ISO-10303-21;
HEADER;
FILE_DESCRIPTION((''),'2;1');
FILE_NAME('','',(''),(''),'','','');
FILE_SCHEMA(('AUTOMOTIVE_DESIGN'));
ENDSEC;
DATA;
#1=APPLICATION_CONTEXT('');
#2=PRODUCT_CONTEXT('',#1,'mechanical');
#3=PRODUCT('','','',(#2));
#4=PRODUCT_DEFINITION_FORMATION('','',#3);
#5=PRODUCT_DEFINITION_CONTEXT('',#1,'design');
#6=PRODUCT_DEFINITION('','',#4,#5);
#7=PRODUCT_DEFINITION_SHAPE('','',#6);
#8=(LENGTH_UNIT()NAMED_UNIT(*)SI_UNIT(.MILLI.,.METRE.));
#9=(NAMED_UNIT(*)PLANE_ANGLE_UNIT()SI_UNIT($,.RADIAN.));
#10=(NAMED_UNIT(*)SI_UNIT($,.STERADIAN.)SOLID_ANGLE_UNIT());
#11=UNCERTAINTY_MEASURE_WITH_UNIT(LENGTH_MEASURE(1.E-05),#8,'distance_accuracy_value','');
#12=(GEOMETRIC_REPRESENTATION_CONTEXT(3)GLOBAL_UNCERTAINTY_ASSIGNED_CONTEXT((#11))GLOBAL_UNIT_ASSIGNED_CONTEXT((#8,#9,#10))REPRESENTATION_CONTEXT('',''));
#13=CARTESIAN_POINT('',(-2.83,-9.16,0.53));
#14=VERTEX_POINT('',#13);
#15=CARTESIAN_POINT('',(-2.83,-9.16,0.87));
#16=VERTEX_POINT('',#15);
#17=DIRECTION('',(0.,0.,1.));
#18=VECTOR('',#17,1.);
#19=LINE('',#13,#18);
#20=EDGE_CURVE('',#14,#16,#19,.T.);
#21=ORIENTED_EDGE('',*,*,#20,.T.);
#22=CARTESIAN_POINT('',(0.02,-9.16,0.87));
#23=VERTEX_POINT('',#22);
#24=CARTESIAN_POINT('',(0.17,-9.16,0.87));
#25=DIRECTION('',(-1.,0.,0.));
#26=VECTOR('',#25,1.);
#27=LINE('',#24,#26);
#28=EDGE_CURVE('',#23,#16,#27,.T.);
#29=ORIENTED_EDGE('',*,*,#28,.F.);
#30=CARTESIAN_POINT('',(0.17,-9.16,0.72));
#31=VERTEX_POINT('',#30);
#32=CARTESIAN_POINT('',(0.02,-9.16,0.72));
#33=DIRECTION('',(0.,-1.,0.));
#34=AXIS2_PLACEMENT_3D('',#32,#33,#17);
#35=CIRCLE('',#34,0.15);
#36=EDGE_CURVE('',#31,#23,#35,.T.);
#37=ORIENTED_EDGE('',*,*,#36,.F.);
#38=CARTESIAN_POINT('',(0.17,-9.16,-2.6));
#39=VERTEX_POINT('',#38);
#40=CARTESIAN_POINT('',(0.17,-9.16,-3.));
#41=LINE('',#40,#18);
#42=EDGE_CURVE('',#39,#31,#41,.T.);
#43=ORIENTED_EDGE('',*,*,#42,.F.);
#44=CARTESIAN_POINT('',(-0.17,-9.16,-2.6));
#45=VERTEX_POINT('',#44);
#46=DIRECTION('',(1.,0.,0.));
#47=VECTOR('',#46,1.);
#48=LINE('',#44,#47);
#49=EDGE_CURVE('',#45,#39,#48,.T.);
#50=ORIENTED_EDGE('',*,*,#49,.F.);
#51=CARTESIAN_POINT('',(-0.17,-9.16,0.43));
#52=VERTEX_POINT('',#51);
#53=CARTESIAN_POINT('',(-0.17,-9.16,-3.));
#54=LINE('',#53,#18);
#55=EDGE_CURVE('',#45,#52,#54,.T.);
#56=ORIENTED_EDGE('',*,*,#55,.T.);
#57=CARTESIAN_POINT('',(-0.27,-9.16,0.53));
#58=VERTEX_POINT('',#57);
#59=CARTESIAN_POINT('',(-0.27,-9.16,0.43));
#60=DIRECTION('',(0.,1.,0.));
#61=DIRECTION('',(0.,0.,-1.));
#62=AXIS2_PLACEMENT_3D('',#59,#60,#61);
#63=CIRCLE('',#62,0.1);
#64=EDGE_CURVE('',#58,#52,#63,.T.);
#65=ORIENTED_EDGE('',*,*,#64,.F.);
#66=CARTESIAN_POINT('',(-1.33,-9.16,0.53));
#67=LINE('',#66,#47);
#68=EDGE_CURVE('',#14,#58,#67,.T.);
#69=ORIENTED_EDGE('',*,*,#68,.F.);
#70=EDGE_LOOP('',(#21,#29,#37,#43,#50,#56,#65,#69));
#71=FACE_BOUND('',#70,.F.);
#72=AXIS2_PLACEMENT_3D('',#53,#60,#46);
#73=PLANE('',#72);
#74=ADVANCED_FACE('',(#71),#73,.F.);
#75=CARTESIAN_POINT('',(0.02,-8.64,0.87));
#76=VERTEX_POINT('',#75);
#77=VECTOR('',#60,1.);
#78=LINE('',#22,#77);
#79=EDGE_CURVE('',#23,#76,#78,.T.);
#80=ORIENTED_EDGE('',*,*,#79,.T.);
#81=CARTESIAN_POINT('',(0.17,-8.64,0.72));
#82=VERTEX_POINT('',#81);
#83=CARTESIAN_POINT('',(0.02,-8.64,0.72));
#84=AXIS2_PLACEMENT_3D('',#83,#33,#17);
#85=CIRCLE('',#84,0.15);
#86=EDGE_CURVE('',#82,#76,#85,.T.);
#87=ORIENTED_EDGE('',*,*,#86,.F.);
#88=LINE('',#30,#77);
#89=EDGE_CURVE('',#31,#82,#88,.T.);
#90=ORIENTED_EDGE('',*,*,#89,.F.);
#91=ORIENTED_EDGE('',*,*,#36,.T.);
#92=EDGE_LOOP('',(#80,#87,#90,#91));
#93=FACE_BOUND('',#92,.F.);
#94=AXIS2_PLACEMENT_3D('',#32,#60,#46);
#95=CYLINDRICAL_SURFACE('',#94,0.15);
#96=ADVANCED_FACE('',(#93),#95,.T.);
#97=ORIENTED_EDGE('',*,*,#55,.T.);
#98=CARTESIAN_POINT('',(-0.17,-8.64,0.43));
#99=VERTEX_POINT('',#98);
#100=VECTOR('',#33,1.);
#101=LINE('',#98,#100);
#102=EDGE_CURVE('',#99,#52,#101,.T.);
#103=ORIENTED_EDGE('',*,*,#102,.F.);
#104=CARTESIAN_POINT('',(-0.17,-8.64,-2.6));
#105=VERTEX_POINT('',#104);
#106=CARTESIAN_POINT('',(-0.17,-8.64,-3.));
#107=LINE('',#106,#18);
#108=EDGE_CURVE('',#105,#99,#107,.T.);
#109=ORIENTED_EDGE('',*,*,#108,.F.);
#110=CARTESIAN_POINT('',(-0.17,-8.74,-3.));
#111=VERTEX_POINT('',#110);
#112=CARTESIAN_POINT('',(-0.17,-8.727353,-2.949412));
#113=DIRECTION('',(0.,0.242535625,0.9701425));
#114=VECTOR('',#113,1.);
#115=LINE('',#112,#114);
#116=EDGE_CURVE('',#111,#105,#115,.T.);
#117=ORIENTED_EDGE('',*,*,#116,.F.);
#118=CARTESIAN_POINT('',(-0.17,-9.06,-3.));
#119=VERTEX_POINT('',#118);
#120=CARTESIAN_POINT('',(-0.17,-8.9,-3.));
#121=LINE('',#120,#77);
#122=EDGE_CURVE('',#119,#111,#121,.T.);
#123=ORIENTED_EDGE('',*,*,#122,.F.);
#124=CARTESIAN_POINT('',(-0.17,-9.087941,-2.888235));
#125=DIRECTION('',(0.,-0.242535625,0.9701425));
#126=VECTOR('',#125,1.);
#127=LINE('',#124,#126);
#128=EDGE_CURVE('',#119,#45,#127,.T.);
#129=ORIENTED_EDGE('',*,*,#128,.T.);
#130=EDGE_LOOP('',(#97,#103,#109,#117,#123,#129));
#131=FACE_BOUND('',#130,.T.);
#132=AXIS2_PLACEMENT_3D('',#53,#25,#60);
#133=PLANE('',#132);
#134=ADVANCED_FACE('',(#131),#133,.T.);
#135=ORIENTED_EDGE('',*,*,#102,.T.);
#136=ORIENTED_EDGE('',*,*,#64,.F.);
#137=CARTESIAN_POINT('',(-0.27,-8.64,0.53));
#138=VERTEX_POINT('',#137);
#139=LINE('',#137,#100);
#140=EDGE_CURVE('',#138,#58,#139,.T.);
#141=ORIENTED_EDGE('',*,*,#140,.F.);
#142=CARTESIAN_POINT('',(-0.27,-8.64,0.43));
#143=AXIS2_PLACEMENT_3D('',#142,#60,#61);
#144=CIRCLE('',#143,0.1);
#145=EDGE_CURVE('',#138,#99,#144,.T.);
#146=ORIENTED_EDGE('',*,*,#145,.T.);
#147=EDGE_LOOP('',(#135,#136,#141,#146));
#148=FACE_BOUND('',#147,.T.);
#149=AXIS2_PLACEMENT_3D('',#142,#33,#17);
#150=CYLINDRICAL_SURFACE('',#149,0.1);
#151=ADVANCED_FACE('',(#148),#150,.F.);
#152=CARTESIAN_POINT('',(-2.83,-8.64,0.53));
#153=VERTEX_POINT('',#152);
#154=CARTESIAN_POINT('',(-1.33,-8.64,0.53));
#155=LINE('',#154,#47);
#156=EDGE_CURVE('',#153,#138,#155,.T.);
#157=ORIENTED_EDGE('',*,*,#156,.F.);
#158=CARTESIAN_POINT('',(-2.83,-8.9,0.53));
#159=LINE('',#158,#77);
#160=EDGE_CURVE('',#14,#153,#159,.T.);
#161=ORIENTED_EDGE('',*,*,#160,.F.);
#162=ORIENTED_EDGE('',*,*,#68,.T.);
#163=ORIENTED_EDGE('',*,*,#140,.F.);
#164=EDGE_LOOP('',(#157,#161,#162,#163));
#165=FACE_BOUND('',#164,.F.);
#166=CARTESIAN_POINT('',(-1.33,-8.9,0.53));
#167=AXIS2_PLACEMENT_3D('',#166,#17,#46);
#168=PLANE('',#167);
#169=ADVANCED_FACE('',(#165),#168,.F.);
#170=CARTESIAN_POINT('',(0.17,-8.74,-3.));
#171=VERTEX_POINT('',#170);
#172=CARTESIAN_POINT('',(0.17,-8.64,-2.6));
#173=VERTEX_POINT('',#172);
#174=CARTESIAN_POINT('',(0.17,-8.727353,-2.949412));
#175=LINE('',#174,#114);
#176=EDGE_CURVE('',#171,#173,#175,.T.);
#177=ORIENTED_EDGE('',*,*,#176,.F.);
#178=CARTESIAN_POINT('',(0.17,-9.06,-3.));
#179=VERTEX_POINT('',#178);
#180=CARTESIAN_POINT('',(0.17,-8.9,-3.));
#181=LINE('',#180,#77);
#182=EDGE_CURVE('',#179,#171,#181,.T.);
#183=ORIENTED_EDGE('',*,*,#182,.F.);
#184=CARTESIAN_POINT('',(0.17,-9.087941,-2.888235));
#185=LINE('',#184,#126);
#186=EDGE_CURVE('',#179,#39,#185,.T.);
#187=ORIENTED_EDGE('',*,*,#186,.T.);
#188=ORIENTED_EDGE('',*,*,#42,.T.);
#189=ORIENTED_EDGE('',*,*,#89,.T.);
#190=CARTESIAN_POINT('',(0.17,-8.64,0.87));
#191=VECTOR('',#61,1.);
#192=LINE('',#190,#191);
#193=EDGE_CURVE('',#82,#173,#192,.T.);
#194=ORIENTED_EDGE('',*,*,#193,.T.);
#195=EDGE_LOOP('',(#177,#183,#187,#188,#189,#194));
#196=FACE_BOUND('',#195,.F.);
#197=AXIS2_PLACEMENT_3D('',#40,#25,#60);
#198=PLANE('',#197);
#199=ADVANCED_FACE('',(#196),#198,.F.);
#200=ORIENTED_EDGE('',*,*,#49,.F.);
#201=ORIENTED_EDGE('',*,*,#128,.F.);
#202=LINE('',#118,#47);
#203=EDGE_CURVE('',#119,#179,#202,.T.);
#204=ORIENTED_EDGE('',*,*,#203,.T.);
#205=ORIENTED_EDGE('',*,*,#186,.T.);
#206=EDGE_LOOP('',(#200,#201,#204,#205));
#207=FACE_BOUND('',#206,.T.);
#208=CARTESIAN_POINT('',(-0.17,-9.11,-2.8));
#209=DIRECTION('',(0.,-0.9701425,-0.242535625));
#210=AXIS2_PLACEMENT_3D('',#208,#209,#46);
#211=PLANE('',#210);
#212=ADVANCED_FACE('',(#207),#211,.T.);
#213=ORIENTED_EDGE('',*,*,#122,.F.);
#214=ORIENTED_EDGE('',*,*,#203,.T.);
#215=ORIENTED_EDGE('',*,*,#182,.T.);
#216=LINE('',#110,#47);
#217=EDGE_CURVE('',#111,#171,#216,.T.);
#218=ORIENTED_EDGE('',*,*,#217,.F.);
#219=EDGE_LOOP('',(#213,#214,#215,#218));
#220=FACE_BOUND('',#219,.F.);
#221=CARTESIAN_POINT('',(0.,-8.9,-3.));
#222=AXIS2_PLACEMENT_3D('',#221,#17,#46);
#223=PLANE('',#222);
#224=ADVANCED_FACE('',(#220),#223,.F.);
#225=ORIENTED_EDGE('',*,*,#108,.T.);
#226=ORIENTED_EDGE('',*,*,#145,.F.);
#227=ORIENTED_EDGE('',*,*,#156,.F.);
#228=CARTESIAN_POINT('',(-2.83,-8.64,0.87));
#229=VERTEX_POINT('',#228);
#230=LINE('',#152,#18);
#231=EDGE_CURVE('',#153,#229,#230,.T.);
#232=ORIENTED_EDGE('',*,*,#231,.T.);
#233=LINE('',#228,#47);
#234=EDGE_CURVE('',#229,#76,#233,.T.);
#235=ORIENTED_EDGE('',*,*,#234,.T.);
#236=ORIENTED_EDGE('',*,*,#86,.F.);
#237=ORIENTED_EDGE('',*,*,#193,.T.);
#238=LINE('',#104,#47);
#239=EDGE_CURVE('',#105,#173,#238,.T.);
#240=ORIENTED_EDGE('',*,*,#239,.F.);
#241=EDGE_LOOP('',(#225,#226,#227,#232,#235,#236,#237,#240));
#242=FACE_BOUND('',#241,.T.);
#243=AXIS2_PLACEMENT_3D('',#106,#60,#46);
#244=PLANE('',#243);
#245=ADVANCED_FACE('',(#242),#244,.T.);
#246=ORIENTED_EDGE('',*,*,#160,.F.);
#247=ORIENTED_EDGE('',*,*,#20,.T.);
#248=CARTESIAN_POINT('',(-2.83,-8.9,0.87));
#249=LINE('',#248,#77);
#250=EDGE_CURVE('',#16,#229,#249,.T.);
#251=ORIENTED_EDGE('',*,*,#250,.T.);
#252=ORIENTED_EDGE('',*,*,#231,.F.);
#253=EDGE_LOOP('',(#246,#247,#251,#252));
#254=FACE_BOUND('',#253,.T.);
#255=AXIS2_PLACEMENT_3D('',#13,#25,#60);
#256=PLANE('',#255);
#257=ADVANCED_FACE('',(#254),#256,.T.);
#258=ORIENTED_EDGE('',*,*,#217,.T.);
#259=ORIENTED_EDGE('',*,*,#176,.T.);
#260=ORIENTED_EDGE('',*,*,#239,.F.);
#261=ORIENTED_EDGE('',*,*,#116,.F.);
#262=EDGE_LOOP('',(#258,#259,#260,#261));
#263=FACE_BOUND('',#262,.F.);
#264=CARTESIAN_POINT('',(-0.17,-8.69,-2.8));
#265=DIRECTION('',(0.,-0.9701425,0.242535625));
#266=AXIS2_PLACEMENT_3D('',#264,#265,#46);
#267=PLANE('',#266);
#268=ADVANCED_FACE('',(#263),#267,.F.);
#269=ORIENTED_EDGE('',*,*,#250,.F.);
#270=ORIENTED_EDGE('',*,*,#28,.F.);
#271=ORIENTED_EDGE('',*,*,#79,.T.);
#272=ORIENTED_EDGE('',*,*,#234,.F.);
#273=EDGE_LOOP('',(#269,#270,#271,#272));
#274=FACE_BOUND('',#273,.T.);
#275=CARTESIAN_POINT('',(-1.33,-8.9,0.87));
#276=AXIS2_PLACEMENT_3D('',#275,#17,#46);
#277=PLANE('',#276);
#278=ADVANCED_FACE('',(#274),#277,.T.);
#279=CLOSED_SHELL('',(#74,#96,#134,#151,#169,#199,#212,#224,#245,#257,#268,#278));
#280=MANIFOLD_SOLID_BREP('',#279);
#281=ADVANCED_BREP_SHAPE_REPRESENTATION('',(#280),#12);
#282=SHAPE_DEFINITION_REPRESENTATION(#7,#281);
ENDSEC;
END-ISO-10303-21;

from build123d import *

# Parameters (mm, degrees)
BOX006_W         = 0.34
BOX006_H         = 0.52
BOX006_DEPTH     = 3.87
BOX007_W         = 3
BOX007_H         = 0.52
BOX007_DEPTH     = 0.34
FILLET007_R      = 0.15
FILLET008_R      = 0.1
CHAMFER016_SIZE2 = 0.4
CHAMFER016_SIZE  = 0.1
CHAMFER017_SIZE2 = 0.4
CHAMFER017_SIZE  = 0.1


with BuildPart() as kub006:
    # Box006 → Box006 (new body)
    with BuildSketch(Plane(origin=(-0.17, -0.26, -3), x_dir=(1, 0, 0), z_dir=(0, 0, 1))):
        with Locations((0.17, 0.26)):
            Rectangle(BOX006_W, BOX006_H)
    extrude(amount=BOX006_DEPTH)


with BuildPart() as chamfer017:
    # Box007 → Box007 (new body)
    with BuildSketch(Plane(origin=(-2.83, -0.26, 0.53), x_dir=(1, 0, 0), z_dir=(0, 0, 1))):
        with Locations((1.5, 0.26)):
            Rectangle(BOX007_W, BOX007_H)
    extrude(amount=BOX007_DEPTH)

    # Fusion004: union Kub006
    add(kub006.part)

    # Fillet007
    fillet007_edges = [chamfer017.edges().sort_by_distance(p)[0] for p in [
        (0.17, 0, 0.87),
    ]]
    fillet(fillet007_edges, radius=FILLET007_R)

    # Fillet008
    fillet008_edges = [chamfer017.edges().sort_by_distance(p)[0] for p in [
        (-0.17, 0, 0.53),
    ]]
    fillet(fillet008_edges, radius=FILLET008_R)

    # Chamfer016
    chamfer016_edges = [chamfer017.edges().sort_by_distance(p)[0] for p in [
        (0, 0.26, -3),
    ]]
    chamfer016_side = chamfer017.faces().sort_by_distance((0, 0, -3))[0]
    chamfer(chamfer016_edges, length=CHAMFER016_SIZE, length2=CHAMFER016_SIZE2, reference=chamfer016_side)

    # Chamfer017
    chamfer017_edges = [chamfer017.edges().sort_by_distance(p)[0] for p in [
        (0, -0.26, -3),
    ]]
    chamfer017_side = chamfer017.faces().sort_by_distance((0, -0.05, -3))[0]
    chamfer(chamfer017_edges, length=CHAMFER017_SIZE, length2=CHAMFER017_SIZE2, reference=chamfer017_side)


with BuildPart() as chamfer017_1:
    # Chamfer017 placement: moved
    add(chamfer017.part.moved(Location((0, -8.9, 0))))


solid = chamfer017_1.part
